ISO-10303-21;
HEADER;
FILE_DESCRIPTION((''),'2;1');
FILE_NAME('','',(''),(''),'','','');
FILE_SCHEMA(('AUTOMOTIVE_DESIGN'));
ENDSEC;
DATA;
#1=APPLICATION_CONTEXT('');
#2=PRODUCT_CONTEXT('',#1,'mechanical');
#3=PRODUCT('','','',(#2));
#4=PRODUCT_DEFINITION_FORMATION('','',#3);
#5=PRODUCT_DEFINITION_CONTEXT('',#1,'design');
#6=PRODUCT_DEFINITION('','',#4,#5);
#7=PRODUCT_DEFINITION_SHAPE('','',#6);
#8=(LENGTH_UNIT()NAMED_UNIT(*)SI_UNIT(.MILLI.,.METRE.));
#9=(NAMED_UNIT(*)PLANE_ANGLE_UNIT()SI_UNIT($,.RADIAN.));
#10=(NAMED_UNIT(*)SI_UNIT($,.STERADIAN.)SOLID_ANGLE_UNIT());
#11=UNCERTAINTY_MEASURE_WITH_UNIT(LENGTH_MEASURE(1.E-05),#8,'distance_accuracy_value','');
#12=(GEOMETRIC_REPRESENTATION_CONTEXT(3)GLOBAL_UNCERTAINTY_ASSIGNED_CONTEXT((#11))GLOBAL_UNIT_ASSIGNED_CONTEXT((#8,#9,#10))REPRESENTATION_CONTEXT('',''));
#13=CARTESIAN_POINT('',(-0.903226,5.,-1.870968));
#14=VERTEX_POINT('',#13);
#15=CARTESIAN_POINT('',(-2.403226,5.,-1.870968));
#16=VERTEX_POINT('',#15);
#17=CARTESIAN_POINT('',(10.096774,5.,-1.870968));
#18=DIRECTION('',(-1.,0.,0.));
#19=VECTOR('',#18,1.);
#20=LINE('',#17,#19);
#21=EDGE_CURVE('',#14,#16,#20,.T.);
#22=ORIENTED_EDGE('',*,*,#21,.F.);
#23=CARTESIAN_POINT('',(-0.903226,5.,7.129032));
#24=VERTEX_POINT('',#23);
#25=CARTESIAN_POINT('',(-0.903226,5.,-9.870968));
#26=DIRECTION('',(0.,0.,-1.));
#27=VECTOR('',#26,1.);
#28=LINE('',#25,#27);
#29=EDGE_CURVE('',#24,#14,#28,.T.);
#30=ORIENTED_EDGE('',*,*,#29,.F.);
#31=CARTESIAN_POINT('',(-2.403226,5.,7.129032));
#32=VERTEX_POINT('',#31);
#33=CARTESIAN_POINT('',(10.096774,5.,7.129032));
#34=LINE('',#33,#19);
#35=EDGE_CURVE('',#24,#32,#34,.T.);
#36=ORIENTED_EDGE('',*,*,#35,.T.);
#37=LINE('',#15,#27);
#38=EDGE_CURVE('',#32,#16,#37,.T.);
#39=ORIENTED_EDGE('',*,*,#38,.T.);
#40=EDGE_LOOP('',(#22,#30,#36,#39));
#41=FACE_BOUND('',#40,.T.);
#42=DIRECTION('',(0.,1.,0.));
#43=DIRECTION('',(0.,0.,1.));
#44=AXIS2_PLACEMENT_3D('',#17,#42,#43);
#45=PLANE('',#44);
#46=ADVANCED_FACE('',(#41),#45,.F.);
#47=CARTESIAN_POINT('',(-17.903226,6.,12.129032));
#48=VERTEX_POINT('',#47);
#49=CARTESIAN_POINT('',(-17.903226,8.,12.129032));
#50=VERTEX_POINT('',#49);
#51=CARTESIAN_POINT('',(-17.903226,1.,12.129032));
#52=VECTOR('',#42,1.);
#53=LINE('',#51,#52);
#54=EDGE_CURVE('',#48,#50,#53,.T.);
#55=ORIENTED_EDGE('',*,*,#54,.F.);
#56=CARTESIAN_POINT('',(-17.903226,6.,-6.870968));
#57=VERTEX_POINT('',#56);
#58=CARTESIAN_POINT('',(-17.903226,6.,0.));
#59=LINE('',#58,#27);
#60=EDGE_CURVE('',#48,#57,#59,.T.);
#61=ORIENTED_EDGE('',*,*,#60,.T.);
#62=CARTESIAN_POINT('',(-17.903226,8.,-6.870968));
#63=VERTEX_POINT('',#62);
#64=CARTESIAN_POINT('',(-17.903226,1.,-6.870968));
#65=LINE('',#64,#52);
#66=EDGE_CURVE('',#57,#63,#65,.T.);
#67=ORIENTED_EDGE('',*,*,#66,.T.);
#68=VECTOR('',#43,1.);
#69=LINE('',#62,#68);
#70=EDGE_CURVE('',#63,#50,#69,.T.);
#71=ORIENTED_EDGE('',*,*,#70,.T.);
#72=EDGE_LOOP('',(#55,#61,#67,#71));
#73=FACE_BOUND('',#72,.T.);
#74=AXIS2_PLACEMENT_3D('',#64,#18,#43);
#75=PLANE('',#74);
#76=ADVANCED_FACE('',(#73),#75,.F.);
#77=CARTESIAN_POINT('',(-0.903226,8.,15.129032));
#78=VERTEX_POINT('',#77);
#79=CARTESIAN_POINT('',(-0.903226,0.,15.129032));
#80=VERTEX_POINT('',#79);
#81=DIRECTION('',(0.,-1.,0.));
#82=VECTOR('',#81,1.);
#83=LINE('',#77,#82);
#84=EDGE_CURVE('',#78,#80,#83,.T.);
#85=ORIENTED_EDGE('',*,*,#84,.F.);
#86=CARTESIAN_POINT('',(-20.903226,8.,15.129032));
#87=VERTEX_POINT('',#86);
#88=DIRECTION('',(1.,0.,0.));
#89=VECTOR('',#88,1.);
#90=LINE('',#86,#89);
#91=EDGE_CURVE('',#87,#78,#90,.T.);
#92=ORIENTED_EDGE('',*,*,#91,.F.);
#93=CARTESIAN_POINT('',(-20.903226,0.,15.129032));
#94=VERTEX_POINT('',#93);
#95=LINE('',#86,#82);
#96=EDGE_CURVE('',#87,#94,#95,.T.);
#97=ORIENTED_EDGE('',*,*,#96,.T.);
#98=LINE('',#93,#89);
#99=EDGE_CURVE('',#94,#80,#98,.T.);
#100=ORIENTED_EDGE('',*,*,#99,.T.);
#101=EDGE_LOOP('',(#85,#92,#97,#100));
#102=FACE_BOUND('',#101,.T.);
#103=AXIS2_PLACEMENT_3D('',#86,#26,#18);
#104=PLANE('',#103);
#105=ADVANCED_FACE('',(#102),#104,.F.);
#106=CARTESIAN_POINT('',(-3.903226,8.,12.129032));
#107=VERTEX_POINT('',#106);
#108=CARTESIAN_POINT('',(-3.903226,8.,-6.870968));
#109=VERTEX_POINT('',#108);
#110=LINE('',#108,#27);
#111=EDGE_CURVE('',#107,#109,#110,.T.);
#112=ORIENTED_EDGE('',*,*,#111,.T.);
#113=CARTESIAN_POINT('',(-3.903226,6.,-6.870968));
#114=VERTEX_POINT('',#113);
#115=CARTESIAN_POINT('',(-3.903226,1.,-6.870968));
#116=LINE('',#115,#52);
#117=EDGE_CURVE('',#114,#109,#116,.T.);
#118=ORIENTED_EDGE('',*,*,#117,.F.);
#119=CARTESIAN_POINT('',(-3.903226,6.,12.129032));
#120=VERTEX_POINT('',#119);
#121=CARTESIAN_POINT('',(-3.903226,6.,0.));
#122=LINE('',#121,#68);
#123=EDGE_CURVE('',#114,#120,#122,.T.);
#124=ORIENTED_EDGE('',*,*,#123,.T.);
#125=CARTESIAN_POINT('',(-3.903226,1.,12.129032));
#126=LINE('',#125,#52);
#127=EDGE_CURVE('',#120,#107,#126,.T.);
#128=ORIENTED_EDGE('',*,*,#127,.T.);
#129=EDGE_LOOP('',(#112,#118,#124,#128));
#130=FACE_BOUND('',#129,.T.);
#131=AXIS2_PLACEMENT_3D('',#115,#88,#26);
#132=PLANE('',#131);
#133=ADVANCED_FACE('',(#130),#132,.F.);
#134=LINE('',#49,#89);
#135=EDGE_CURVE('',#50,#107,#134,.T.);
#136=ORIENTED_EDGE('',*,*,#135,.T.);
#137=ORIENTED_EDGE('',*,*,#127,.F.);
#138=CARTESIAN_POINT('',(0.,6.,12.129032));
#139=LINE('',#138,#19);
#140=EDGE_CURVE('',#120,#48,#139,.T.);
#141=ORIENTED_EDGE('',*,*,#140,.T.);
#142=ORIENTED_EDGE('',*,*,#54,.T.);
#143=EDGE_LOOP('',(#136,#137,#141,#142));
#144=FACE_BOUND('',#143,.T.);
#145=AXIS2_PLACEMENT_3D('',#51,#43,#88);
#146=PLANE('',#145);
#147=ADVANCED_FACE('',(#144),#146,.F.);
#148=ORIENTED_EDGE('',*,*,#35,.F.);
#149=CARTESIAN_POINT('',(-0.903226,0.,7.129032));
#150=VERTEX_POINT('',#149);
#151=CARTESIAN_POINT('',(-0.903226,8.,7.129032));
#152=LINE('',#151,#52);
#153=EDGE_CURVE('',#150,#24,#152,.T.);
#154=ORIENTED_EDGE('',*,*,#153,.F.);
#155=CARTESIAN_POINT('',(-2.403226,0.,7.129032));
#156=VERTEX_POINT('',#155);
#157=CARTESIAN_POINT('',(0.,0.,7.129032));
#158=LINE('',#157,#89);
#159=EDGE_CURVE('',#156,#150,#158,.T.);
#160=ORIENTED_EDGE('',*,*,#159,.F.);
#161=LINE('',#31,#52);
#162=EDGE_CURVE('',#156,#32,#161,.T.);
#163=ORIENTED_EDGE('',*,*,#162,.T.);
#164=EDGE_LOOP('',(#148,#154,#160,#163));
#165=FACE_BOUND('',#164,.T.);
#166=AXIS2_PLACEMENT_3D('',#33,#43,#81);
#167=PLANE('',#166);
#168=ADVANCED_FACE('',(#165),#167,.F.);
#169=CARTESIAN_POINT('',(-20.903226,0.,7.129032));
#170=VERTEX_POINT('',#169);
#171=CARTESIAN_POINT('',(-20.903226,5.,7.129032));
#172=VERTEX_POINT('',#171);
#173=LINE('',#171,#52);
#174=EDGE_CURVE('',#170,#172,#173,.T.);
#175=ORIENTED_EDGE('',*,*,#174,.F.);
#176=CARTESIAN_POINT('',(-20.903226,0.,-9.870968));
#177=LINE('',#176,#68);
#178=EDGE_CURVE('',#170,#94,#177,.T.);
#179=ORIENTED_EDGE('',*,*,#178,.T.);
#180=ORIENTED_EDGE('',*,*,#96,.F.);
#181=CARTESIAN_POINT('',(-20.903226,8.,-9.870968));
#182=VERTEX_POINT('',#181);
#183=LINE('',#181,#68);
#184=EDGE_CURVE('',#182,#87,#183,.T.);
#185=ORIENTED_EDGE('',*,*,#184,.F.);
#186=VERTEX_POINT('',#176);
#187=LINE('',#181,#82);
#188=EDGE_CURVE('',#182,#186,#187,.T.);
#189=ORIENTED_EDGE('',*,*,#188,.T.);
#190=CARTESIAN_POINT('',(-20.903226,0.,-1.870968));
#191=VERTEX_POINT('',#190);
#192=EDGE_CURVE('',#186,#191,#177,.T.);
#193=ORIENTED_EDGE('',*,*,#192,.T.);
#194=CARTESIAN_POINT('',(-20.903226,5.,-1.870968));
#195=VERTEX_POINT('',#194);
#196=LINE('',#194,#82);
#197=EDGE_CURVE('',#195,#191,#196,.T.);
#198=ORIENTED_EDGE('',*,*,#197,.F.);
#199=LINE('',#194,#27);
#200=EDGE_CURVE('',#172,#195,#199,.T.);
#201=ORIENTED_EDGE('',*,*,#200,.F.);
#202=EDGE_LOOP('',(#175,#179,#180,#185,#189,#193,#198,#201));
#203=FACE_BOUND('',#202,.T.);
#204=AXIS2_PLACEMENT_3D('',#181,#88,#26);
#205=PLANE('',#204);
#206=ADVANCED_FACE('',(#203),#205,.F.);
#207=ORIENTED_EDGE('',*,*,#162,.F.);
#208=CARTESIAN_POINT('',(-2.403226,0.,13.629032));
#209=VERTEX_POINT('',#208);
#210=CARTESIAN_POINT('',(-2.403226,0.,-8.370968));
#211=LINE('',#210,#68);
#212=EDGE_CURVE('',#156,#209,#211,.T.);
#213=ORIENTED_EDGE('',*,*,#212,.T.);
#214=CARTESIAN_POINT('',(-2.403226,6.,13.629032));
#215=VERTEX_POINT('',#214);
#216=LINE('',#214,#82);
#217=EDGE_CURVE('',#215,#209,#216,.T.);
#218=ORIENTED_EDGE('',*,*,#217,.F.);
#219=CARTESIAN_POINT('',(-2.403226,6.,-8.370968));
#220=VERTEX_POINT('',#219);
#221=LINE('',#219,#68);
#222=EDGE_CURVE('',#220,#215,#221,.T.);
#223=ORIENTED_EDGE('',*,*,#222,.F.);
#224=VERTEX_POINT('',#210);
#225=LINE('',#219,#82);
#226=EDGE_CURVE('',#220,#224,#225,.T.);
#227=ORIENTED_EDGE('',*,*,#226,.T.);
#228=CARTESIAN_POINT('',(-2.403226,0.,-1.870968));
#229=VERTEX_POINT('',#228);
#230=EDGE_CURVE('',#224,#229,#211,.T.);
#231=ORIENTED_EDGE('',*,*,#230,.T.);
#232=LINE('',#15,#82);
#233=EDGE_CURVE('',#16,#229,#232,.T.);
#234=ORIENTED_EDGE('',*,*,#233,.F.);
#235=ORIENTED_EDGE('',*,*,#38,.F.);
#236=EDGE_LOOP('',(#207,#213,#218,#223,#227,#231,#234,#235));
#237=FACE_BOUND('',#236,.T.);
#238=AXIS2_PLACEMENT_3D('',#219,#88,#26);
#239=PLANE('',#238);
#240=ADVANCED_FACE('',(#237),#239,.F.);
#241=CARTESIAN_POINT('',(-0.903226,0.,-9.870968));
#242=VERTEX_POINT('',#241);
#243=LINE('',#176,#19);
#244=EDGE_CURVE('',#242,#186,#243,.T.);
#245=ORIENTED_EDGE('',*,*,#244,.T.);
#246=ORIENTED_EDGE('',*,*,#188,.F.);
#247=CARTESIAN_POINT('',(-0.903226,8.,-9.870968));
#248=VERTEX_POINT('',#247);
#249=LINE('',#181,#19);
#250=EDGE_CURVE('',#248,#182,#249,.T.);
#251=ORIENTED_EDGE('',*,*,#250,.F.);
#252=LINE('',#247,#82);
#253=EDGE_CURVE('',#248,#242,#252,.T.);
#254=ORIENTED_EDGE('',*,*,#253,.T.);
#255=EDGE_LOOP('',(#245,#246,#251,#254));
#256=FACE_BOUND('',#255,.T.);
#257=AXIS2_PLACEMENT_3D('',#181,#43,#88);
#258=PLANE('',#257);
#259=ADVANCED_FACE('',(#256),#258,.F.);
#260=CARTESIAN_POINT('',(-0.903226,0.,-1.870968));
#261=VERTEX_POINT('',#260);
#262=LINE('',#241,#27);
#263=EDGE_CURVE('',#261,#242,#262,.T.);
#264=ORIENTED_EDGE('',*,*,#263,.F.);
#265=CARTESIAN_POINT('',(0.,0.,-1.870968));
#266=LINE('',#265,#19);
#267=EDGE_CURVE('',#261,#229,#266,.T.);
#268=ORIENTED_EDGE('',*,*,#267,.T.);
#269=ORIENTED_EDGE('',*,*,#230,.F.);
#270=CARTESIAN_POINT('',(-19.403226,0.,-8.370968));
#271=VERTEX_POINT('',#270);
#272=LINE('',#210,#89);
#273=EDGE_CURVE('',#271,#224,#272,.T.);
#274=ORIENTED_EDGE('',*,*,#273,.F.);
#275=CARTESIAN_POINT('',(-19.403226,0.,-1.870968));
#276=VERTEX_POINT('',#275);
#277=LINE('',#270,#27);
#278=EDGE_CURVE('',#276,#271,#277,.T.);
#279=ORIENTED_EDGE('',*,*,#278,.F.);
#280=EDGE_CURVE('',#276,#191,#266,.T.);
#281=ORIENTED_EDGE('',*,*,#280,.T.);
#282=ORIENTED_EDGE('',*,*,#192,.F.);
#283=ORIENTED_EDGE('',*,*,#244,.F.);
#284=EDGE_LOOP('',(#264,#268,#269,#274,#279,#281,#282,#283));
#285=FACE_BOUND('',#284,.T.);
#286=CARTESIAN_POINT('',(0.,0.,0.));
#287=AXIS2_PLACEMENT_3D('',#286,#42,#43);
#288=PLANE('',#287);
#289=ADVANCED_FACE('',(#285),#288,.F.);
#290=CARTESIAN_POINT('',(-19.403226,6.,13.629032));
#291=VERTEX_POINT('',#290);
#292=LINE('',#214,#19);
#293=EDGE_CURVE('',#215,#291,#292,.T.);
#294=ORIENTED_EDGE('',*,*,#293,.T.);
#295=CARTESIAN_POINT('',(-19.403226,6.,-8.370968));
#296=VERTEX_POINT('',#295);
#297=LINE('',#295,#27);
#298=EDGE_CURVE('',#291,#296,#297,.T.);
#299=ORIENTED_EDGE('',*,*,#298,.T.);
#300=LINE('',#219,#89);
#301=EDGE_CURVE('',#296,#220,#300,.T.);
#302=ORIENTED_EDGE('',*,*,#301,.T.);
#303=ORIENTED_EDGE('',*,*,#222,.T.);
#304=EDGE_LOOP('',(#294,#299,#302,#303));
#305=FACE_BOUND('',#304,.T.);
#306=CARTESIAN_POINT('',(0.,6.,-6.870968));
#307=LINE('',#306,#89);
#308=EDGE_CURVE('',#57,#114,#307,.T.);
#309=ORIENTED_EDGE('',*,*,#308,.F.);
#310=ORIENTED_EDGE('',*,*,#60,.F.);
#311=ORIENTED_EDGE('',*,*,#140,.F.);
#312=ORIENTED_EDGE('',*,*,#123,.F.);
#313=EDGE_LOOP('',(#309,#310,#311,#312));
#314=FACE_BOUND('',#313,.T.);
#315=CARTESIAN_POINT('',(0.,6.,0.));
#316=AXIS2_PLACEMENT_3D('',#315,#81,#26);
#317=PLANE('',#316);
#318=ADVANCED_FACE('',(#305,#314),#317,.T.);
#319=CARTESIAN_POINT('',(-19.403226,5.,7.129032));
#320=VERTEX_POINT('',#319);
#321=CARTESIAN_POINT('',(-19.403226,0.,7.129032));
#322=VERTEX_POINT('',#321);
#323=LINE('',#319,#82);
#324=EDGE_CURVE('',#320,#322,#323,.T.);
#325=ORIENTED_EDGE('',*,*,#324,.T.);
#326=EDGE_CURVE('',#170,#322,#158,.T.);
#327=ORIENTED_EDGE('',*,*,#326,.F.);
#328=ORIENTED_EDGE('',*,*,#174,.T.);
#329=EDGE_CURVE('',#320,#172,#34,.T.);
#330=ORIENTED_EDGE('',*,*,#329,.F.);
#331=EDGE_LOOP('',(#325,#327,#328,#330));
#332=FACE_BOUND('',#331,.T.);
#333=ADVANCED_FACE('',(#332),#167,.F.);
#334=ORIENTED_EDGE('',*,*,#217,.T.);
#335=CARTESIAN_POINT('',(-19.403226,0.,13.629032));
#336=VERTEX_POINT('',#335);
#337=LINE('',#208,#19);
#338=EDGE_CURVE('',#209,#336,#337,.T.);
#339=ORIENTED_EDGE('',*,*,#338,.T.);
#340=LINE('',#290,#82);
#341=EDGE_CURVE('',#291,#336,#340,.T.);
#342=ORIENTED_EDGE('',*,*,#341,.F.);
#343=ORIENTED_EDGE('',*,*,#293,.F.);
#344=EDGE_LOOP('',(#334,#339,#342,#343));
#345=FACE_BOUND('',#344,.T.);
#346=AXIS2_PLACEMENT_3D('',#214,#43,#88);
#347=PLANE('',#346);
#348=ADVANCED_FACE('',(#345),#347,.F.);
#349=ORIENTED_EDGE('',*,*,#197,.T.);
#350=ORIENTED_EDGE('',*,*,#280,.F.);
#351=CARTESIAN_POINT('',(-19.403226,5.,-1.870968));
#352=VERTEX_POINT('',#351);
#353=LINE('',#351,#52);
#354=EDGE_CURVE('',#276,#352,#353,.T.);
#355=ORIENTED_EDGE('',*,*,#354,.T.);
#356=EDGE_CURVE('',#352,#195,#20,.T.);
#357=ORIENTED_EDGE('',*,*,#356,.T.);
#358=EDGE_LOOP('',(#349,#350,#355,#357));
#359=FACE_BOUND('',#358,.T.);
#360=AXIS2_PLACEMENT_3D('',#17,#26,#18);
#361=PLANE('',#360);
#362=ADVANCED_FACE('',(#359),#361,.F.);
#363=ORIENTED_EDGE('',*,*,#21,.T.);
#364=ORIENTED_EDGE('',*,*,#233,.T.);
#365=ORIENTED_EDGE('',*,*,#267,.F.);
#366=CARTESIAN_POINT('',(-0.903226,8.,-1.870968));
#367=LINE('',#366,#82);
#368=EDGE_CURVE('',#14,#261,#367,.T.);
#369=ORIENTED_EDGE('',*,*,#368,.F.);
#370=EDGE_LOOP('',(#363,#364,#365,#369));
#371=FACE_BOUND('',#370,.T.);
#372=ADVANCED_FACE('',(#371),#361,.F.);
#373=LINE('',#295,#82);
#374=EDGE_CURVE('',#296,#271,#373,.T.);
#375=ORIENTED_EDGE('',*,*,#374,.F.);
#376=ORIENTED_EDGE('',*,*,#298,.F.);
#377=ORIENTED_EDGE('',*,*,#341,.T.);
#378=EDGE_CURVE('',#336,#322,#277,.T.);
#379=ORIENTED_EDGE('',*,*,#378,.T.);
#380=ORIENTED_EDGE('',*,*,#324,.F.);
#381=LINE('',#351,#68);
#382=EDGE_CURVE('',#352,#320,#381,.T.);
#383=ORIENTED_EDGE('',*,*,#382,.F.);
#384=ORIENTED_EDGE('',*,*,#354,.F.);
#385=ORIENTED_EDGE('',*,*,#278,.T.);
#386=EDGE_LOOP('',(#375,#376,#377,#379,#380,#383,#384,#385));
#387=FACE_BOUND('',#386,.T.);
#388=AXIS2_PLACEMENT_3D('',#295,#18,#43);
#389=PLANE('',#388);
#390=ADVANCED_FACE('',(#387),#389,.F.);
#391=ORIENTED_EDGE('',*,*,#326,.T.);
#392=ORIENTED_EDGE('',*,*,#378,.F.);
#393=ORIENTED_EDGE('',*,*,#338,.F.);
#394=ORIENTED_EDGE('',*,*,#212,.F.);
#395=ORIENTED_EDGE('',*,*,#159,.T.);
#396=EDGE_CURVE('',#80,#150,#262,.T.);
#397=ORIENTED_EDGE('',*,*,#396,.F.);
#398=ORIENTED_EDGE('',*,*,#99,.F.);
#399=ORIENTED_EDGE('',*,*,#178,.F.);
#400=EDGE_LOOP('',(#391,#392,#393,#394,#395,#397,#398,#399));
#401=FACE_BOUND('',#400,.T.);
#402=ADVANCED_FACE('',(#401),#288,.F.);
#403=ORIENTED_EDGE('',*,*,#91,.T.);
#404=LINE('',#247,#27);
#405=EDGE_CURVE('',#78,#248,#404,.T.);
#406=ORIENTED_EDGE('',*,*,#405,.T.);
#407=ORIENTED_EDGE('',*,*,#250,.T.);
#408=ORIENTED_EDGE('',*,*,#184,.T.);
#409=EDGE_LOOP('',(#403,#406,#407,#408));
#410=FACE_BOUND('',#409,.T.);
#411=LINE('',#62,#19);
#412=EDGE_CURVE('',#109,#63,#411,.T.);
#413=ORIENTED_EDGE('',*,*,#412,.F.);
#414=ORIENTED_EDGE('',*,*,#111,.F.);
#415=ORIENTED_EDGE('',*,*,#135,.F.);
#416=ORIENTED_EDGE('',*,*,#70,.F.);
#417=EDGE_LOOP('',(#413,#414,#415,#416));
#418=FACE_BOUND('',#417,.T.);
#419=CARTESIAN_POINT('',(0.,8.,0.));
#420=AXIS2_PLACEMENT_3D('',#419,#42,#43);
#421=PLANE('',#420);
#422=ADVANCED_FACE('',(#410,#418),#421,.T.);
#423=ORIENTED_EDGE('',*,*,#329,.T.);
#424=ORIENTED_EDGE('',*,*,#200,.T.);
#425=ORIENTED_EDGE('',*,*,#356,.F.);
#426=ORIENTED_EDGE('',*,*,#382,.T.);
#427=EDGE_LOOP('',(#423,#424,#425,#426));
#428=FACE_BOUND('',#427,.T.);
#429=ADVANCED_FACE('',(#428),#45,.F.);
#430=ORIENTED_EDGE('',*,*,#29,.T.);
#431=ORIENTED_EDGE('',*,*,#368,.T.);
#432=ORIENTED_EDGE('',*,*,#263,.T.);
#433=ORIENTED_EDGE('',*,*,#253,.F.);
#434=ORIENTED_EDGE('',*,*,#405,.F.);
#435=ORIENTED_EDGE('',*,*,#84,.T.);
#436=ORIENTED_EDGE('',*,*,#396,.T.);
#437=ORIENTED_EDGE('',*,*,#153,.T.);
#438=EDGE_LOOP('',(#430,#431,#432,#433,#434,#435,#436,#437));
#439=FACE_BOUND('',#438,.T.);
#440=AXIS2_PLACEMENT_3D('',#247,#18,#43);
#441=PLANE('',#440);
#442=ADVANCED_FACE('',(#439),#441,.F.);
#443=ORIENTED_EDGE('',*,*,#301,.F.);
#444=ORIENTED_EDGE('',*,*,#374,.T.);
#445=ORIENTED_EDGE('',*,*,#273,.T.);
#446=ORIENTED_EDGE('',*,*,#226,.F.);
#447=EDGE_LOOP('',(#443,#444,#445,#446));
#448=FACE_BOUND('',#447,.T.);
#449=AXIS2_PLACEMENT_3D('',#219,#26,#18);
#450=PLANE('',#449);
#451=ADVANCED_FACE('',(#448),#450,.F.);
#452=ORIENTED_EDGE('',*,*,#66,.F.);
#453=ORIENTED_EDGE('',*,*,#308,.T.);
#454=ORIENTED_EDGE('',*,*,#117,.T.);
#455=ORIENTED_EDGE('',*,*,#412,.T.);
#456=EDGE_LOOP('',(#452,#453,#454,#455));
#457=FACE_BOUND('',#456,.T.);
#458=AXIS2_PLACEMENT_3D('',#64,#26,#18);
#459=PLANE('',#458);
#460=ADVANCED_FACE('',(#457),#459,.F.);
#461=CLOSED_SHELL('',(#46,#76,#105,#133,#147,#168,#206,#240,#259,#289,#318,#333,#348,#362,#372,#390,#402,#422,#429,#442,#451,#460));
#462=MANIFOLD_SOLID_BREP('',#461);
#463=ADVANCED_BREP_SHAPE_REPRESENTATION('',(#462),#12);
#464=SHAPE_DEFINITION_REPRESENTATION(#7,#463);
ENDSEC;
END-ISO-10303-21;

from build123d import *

# Parameters (mm, degrees)
SKETCH1_W           = 20
SKETCH1_H           = 25
BOSS_EXTRUDE1_DEPTH = 8
SKETCH2_W           = 9
SKETCH2_H           = 5
CUT_EXTRUDE1_DEPTH  = 31
SKETCH3_W           = 17
SKETCH3_H           = 22
CUT_EXTRUDE2_DEPTH  = 6
SKETCH4_W           = 14
SKETCH4_H           = 19
CUT_EXTRUDE3_DEPTH  = 7


with BuildPart() as part:
    # Sketch1 → Boss-Extrude1 (new body)
    with BuildSketch(Plane(origin=(0, 0, 0), x_dir=(1, 0, 0), z_dir=(0, 1, 0))):
        with Locations((-10.903225806, -2.629032258)):
            Rectangle(SKETCH1_W, SKETCH1_H)
    extrude(amount=BOSS_EXTRUDE1_DEPTH)

    # Sketch2 → Cut-Extrude1 (cut)
    with BuildSketch(Plane.ZY.offset(20.903225806)):
        with Locations((2.629032258, 2.5)):
            Rectangle(SKETCH2_W, SKETCH2_H)
    extrude(amount=-CUT_EXTRUDE1_DEPTH, mode=Mode.SUBTRACT)

    # Sketch3 → Cut-Extrude2 (cut)
    with BuildSketch(Plane.XZ):
        with Locations((-10.903225806, 2.629032258)):
            Rectangle(SKETCH3_W, SKETCH3_H)
    extrude(amount=-CUT_EXTRUDE2_DEPTH, mode=Mode.SUBTRACT)

    # Sketch4 → Cut-Extrude3 (cut)
    with BuildSketch(Plane(origin=(0, 8, 0), x_dir=(1, 0, 0), z_dir=(0, 1, 0))):
        with Locations((-10.903225806, -2.629032258)):
            Rectangle(SKETCH4_W, SKETCH4_H)
    extrude(amount=-CUT_EXTRUDE3_DEPTH, mode=Mode.SUBTRACT)


solid = part.part
